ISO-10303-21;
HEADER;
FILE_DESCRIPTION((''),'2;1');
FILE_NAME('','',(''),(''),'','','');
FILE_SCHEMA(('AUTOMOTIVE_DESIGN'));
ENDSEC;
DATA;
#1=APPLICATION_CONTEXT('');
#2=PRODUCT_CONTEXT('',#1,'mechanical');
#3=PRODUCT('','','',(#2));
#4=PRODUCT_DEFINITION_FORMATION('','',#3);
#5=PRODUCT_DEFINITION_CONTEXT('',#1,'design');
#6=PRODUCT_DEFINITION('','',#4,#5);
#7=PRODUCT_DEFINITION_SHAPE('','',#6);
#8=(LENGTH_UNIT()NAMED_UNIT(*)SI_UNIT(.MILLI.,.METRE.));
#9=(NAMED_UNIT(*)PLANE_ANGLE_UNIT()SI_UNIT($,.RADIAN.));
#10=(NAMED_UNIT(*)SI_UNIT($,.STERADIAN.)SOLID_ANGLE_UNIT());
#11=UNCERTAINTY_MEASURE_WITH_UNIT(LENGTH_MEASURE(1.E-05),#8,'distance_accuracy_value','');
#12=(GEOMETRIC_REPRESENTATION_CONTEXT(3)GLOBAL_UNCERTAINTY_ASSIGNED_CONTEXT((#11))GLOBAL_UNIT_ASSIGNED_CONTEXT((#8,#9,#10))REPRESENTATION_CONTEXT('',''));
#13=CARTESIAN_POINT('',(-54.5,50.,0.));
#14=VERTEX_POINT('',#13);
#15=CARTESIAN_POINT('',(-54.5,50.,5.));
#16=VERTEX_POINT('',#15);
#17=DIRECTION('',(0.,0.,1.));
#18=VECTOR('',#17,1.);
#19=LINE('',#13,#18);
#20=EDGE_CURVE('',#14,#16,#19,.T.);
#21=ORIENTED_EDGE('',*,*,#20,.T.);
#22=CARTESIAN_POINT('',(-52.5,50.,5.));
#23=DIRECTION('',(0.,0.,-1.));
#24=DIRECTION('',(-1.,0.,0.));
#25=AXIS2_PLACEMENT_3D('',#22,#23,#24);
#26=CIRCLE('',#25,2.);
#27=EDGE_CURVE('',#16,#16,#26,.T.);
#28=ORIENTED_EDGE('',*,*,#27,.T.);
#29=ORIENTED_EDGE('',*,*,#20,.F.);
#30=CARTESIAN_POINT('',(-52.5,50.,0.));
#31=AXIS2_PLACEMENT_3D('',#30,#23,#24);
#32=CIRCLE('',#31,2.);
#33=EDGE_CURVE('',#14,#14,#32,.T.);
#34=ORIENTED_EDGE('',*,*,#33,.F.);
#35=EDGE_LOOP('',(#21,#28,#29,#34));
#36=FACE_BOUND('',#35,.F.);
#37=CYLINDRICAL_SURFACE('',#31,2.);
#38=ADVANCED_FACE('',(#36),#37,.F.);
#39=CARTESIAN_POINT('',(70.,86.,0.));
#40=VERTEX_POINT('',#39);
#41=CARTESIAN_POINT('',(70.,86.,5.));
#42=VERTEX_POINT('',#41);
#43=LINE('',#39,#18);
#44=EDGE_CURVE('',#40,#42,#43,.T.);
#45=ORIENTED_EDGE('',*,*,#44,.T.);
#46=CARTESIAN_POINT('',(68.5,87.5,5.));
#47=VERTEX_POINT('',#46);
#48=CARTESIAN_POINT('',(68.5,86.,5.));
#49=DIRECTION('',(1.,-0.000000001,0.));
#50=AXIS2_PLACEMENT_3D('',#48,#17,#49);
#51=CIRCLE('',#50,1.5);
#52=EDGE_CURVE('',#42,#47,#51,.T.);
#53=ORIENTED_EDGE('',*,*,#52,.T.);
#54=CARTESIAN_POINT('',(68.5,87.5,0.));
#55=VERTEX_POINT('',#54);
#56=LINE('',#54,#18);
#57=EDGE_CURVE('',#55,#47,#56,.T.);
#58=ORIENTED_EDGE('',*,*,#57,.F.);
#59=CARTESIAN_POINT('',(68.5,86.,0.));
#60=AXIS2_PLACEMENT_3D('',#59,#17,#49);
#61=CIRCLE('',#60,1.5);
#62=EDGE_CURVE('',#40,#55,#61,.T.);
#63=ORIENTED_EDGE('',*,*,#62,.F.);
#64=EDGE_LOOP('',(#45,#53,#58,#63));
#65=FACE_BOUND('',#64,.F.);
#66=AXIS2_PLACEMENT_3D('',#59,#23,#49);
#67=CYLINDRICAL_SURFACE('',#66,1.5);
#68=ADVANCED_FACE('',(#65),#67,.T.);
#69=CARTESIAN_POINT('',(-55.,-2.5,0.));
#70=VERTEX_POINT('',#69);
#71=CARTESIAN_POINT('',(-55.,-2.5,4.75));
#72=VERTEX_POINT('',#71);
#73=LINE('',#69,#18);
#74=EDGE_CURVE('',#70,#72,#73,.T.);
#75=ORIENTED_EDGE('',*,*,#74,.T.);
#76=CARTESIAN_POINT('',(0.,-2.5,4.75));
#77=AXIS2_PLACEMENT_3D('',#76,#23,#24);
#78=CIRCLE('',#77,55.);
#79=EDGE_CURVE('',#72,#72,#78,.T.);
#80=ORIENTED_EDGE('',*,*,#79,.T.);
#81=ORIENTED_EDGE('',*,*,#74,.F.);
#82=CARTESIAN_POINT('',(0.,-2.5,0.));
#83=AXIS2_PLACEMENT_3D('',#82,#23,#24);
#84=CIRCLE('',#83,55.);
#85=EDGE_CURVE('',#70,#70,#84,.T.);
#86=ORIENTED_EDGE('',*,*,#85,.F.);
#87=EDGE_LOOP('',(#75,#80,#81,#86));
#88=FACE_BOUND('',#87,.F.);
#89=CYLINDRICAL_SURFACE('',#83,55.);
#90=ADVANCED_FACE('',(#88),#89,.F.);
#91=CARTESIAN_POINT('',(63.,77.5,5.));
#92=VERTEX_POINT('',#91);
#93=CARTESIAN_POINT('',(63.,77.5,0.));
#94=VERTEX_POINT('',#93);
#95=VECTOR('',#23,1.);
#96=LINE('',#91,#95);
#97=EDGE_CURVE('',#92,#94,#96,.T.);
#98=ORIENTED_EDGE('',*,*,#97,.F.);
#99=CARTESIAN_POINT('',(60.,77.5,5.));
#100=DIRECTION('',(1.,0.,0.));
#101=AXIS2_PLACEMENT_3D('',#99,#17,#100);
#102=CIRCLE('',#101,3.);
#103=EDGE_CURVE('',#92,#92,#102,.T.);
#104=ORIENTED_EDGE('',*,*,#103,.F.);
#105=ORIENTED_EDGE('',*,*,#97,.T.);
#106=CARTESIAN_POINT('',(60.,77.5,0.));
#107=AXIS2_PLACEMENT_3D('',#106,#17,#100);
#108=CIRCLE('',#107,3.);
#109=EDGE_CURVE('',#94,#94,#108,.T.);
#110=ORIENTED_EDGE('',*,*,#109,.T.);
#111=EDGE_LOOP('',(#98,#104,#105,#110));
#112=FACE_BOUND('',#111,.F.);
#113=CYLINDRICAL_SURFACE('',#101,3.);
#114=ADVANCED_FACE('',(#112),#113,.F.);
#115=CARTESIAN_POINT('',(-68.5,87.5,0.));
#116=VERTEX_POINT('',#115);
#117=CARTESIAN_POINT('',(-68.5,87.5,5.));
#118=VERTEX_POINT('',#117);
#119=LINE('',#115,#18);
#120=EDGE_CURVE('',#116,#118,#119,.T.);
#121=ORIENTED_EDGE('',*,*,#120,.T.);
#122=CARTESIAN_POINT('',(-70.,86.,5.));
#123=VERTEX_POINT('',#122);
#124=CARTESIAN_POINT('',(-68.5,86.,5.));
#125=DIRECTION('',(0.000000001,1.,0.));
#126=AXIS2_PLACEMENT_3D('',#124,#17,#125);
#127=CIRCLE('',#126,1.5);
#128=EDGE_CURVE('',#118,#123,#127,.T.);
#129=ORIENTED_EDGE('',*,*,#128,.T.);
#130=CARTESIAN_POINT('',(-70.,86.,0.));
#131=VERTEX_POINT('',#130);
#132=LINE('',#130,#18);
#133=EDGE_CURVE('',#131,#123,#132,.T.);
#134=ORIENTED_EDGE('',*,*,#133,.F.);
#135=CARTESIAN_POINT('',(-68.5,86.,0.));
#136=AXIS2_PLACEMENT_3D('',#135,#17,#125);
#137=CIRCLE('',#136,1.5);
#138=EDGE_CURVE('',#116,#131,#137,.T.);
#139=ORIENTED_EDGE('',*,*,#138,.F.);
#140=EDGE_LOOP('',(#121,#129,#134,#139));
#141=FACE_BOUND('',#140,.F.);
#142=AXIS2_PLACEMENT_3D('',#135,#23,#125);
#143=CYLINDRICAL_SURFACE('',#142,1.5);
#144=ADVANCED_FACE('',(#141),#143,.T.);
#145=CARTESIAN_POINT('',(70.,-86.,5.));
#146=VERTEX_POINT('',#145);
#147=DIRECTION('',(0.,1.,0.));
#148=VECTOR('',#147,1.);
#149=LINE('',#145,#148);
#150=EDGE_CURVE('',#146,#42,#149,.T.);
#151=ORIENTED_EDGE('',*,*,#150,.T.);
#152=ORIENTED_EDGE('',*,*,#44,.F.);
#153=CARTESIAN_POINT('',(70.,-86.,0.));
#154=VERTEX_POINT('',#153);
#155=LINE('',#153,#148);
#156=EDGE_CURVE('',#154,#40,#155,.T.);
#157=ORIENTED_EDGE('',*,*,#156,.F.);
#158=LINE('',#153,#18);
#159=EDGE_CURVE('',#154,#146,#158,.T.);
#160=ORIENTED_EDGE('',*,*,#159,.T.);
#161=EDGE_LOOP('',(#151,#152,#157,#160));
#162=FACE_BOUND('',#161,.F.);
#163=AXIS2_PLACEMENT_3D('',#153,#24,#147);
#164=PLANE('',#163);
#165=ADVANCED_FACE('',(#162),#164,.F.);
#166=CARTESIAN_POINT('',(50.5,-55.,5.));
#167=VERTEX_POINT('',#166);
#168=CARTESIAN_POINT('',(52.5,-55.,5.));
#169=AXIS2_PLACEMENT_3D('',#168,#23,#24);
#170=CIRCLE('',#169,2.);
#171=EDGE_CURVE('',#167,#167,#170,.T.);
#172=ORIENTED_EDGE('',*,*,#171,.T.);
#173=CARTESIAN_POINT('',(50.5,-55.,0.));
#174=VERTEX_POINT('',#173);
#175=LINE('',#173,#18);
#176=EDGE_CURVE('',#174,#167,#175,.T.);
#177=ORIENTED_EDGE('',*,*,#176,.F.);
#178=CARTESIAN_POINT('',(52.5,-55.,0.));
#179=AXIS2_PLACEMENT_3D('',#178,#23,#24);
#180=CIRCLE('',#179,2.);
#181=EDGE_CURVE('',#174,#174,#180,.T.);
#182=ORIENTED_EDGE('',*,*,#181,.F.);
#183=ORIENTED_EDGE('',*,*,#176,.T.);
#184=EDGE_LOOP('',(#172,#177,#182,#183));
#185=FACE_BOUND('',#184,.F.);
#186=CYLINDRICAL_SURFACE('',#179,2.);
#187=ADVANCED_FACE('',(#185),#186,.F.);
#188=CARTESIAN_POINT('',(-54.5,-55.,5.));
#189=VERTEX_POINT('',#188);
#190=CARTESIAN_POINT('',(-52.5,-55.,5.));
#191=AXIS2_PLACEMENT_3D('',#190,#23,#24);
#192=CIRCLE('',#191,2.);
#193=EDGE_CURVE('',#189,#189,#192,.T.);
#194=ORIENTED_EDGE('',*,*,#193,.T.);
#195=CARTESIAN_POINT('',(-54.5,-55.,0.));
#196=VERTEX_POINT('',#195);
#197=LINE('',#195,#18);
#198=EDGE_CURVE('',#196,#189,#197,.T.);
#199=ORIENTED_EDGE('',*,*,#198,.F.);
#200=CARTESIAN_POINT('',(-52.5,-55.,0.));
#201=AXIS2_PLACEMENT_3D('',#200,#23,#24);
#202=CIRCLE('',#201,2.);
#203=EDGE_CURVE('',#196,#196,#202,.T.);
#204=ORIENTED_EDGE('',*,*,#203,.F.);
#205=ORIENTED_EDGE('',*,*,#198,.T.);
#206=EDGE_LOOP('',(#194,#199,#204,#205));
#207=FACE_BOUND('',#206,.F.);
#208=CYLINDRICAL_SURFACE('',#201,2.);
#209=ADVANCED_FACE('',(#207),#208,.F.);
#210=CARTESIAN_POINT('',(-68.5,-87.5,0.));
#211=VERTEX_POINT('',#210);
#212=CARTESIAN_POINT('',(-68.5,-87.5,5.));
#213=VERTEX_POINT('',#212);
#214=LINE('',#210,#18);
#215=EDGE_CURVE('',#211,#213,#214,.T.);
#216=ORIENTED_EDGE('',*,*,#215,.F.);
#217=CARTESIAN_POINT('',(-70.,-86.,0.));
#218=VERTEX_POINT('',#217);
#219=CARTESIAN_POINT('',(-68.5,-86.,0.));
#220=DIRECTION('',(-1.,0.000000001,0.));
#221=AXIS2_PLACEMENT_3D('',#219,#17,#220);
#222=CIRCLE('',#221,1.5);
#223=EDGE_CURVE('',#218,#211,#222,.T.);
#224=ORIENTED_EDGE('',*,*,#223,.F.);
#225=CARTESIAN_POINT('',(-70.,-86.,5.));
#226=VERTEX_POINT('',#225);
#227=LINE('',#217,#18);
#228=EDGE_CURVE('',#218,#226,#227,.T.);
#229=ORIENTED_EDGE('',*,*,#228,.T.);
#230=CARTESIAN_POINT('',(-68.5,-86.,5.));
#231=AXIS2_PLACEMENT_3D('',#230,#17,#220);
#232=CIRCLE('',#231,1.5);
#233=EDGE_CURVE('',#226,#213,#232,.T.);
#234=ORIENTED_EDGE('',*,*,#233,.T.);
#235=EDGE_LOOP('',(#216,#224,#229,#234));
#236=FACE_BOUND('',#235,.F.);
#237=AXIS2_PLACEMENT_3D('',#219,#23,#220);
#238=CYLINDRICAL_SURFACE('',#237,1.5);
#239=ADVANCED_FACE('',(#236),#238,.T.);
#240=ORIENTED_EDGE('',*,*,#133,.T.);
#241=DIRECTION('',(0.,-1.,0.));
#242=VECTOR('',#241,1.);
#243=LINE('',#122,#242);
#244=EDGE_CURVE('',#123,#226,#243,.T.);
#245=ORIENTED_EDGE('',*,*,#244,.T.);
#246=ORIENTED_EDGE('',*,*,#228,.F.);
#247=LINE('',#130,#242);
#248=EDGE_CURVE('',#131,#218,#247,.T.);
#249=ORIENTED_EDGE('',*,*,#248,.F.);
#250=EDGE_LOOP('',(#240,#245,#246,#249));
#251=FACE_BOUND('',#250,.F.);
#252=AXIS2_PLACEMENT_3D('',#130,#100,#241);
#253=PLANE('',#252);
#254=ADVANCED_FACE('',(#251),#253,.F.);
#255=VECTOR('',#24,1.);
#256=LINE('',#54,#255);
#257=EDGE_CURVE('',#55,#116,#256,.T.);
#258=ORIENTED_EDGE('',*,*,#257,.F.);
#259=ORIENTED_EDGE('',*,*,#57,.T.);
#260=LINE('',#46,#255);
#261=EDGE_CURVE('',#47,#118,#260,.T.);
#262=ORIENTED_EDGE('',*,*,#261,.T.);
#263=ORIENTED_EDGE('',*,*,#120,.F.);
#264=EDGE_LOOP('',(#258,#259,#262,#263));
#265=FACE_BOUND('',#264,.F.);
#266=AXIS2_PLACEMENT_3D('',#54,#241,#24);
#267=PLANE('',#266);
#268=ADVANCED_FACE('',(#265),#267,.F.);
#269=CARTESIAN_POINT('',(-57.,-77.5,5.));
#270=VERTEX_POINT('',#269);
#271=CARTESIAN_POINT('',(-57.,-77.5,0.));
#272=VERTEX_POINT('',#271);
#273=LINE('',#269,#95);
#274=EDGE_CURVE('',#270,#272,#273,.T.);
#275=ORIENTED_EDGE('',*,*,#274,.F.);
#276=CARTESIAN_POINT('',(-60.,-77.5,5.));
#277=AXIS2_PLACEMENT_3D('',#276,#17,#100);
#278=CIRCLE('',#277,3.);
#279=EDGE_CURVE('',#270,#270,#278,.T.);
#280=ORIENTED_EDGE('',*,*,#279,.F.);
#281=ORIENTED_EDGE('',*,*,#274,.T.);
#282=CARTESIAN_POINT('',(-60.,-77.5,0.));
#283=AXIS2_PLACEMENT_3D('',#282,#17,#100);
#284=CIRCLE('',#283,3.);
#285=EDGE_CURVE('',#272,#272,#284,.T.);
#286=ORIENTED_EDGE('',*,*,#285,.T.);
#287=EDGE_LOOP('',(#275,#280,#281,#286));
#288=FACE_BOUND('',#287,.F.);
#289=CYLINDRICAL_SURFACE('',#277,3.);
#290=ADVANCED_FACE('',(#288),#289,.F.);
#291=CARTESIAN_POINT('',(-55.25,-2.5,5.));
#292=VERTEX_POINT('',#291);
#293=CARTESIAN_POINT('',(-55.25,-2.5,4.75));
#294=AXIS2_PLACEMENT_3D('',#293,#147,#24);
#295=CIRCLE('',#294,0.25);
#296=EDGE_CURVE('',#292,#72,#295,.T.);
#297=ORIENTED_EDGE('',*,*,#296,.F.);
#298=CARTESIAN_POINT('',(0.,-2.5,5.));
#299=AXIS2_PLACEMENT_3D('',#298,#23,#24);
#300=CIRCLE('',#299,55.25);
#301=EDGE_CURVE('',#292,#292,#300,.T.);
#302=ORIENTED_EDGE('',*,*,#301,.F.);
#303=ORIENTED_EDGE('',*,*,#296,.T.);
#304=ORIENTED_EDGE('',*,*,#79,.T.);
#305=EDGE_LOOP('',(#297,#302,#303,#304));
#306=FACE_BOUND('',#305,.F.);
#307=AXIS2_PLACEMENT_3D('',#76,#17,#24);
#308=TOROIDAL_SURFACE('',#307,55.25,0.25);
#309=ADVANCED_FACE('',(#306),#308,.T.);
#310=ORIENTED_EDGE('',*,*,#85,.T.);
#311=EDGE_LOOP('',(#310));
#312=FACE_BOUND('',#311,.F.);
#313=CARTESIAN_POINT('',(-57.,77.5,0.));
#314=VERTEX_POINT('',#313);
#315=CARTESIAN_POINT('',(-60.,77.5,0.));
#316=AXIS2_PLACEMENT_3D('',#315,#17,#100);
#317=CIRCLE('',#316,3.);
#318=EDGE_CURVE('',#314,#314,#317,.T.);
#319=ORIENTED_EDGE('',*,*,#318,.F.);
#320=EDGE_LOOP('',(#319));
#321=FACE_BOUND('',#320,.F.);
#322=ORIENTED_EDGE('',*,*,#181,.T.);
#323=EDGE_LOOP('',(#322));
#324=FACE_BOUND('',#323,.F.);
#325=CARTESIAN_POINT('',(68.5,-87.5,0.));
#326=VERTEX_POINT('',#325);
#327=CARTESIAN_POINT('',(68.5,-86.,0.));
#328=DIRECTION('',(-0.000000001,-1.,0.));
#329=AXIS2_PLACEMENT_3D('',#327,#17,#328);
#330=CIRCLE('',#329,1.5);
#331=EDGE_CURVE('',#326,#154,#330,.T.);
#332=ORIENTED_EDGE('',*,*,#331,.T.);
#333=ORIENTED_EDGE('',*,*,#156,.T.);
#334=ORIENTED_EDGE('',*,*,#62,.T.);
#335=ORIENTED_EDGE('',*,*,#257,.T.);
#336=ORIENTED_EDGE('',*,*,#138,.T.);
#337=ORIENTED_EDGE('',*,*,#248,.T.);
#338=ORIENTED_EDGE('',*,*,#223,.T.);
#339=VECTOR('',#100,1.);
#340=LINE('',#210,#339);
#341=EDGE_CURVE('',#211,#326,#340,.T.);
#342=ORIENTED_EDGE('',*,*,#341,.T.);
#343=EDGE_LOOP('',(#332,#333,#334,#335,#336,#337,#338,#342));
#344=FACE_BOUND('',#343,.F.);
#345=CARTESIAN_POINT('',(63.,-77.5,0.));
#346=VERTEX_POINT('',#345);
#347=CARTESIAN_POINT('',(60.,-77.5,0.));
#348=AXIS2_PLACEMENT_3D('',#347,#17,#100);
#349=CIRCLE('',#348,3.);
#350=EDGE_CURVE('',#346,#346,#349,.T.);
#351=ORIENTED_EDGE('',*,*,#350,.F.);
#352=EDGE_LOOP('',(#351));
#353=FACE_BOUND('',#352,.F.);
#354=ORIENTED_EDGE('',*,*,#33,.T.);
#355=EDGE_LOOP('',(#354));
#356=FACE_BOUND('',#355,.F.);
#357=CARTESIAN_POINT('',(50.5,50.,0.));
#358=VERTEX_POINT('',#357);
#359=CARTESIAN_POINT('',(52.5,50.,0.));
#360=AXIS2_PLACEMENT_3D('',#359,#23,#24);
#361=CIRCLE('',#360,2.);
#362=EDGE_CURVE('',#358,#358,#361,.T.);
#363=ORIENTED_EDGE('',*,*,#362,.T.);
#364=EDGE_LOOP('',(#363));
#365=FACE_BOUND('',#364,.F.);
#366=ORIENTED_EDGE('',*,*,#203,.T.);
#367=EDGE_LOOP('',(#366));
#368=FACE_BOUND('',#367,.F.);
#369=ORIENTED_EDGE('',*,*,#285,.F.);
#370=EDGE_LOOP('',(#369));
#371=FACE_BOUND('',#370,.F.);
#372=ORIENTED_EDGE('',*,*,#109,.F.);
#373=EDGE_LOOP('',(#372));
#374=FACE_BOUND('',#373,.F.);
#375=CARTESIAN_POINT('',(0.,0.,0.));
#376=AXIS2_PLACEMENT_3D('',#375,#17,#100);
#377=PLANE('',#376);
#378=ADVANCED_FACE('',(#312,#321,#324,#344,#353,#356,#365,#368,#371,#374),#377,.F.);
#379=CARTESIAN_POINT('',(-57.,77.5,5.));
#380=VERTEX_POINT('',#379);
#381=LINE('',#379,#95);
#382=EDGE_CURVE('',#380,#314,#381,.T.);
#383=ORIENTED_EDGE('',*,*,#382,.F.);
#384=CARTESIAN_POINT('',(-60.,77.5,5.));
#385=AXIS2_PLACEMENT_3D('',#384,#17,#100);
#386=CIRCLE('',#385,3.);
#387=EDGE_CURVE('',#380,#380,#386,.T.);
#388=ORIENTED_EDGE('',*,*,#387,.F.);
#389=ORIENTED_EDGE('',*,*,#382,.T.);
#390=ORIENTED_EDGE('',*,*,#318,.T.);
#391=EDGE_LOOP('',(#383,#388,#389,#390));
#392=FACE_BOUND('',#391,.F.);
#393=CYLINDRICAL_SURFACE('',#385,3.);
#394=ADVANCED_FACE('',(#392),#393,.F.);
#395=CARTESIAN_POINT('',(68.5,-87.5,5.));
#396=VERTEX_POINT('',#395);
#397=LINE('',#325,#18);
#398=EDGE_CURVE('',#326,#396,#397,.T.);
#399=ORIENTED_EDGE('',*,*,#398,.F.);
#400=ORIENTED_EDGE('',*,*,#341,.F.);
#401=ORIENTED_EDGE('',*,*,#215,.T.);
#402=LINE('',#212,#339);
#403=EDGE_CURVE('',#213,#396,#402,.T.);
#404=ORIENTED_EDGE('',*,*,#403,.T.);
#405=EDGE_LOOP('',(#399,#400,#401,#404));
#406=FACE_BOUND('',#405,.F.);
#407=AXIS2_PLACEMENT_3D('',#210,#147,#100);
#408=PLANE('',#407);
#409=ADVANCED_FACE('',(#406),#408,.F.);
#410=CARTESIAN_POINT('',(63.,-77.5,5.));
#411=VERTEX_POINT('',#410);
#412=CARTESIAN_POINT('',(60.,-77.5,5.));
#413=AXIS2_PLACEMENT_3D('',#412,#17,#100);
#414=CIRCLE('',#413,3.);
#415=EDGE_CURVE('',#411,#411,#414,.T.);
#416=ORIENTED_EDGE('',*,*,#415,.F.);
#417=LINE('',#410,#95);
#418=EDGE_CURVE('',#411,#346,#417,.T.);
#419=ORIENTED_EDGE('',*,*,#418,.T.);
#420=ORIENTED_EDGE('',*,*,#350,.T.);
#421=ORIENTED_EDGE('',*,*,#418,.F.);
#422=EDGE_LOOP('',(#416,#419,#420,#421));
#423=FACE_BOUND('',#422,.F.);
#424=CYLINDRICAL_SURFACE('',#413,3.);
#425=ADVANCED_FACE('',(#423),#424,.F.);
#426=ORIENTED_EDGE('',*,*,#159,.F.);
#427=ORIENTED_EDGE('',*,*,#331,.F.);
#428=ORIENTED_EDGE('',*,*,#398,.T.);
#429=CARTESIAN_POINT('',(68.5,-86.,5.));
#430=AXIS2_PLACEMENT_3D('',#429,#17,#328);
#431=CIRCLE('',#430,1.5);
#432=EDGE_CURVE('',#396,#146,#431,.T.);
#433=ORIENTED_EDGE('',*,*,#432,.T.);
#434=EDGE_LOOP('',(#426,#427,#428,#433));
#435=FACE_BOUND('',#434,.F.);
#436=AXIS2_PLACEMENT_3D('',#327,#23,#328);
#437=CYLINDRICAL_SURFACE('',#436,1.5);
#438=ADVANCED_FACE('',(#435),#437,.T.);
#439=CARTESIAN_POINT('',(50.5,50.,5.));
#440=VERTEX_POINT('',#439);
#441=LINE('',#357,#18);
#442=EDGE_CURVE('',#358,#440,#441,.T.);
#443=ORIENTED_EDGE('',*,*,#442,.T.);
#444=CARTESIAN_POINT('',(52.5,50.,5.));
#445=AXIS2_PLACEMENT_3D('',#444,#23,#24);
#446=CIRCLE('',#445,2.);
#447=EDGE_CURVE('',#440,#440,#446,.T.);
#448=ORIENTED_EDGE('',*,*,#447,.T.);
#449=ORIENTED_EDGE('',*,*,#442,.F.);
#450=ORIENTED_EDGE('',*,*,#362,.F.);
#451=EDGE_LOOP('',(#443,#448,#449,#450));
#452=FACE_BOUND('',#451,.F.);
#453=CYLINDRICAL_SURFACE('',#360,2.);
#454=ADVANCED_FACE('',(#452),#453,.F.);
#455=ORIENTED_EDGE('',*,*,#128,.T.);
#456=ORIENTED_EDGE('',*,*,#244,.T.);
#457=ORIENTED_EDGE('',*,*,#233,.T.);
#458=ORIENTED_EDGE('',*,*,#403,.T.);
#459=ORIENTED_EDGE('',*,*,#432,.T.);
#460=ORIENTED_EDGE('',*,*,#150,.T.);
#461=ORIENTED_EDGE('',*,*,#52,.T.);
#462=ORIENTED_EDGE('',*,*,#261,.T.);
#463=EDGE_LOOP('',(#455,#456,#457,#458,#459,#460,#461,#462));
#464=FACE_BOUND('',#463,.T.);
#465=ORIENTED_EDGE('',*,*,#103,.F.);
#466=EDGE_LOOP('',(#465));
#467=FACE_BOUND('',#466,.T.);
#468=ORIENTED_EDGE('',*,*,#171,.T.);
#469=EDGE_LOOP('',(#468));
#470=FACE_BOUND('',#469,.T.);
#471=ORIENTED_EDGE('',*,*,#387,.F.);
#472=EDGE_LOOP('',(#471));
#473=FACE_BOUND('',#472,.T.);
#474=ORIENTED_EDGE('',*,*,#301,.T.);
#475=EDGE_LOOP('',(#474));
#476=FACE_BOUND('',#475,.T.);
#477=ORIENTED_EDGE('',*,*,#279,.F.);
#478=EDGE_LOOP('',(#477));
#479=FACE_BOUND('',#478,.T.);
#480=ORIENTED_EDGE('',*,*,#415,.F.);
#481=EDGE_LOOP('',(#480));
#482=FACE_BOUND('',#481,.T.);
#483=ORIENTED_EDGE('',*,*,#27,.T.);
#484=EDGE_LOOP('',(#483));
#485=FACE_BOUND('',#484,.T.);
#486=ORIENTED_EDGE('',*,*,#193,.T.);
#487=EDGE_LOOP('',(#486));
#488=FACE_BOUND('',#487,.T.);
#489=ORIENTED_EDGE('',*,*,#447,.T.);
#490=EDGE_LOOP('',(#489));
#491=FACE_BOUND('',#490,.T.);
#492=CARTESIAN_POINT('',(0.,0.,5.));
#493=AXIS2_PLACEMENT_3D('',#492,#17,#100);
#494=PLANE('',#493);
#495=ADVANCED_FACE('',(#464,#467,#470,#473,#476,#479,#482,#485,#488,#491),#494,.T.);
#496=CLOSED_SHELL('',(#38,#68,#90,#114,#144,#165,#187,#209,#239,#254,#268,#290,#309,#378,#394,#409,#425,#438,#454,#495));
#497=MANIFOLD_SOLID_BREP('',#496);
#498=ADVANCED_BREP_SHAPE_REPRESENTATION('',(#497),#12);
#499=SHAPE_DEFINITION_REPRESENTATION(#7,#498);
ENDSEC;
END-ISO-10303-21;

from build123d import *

# Parameters (mm, degrees)
BOSS_EXTRU_1_DEPTH      = 5
ESQUISSE4_R             = 3
ENL_V_MAT_EXTRU_3_DEPTH = 10
ESQUISSE5_R             = 2
ESQUISSE5_R_2           = 55
ENL_V_MAT_EXTRU_4_DEPTH = 10
CONG_1_R                = 0.25


with BuildPart() as part:
    # Esquisse1 → Boss.-Extru.1 (new body)
    with BuildSketch(Plane.XY):
        with BuildLine():
            Line((-68, 87.5), (-68.5, 87.5))
            ThreePointArc((-68.5, 87.5), (-69.560660172, 87.060660172), (-70, 86))
            Line((-70, 86), (-70, 75.5))
            Line((-70, 75.5), (-70, -85.5))
            Line((-70, -85.5), (-70, -86))
            ThreePointArc((-70, -86), (-69.560660172, -87.060660172), (-68.5, -87.5))
            Line((-68.5, -87.5), (-68, -87.5))
            Line((-68, -87.5), (68, -87.5))
            Line((68, -87.5), (68.5, -87.5))
            ThreePointArc((68.5, -87.5), (69.560660172, -87.060660172), (70, -86))
            Line((70, -86), (70, -85.5))
            Line((70, -85.5), (70, 75.5))
            Line((70, 75.5), (70, 86))
            ThreePointArc((70, 86), (69.560660172, 87.060660172), (68.5, 87.5))
            Line((68.5, 87.5), (68, 87.5))
            Line((68, 87.5), (-68, 87.5))
        make_face()
    extrude(amount=BOSS_EXTRU_1_DEPTH)

    # Esquisse4 → Enlèv. mat.-Extru.3 (cut)
    with BuildSketch(Plane.XY.offset(5)):
        with Locations((-60, -77.5)):
            Circle(ESQUISSE4_R)
        with Locations((60, -77.5)):
            Circle(ESQUISSE4_R)
        with Locations((-60, 77.5)):
            Circle(ESQUISSE4_R)
        with Locations((60, 77.5)):
            Circle(ESQUISSE4_R)
    extrude(amount=-ENL_V_MAT_EXTRU_3_DEPTH, mode=Mode.SUBTRACT)

    # Esquisse5 → Enlèv. mat.-Extru.4 (cut)
    with BuildSketch(Plane(origin=(0, 0, 0), x_dir=(-1, 0, 0), z_dir=(0, 0, -1))):
        with Locations((-52.5, 50)):
            Circle(ESQUISSE5_R)
        with Locations((52.5, 50)):
            Circle(ESQUISSE5_R)
        with Locations((52.5, -55)):
            Circle(ESQUISSE5_R)
        with Locations((-52.5, -55)):
            Circle(ESQUISSE5_R)
        with Locations((0, -2.5)):
            Circle(ESQUISSE5_R_2)
    extrude(amount=-ENL_V_MAT_EXTRU_4_DEPTH, mode=Mode.SUBTRACT)

    # Congé1
    cong_1_edges = [part.edges().sort_by_distance(p)[0] for p in [
        (55, -2.5, 5),
    ]]
    fillet(cong_1_edges, radius=CONG_1_R)


solid = part.part
